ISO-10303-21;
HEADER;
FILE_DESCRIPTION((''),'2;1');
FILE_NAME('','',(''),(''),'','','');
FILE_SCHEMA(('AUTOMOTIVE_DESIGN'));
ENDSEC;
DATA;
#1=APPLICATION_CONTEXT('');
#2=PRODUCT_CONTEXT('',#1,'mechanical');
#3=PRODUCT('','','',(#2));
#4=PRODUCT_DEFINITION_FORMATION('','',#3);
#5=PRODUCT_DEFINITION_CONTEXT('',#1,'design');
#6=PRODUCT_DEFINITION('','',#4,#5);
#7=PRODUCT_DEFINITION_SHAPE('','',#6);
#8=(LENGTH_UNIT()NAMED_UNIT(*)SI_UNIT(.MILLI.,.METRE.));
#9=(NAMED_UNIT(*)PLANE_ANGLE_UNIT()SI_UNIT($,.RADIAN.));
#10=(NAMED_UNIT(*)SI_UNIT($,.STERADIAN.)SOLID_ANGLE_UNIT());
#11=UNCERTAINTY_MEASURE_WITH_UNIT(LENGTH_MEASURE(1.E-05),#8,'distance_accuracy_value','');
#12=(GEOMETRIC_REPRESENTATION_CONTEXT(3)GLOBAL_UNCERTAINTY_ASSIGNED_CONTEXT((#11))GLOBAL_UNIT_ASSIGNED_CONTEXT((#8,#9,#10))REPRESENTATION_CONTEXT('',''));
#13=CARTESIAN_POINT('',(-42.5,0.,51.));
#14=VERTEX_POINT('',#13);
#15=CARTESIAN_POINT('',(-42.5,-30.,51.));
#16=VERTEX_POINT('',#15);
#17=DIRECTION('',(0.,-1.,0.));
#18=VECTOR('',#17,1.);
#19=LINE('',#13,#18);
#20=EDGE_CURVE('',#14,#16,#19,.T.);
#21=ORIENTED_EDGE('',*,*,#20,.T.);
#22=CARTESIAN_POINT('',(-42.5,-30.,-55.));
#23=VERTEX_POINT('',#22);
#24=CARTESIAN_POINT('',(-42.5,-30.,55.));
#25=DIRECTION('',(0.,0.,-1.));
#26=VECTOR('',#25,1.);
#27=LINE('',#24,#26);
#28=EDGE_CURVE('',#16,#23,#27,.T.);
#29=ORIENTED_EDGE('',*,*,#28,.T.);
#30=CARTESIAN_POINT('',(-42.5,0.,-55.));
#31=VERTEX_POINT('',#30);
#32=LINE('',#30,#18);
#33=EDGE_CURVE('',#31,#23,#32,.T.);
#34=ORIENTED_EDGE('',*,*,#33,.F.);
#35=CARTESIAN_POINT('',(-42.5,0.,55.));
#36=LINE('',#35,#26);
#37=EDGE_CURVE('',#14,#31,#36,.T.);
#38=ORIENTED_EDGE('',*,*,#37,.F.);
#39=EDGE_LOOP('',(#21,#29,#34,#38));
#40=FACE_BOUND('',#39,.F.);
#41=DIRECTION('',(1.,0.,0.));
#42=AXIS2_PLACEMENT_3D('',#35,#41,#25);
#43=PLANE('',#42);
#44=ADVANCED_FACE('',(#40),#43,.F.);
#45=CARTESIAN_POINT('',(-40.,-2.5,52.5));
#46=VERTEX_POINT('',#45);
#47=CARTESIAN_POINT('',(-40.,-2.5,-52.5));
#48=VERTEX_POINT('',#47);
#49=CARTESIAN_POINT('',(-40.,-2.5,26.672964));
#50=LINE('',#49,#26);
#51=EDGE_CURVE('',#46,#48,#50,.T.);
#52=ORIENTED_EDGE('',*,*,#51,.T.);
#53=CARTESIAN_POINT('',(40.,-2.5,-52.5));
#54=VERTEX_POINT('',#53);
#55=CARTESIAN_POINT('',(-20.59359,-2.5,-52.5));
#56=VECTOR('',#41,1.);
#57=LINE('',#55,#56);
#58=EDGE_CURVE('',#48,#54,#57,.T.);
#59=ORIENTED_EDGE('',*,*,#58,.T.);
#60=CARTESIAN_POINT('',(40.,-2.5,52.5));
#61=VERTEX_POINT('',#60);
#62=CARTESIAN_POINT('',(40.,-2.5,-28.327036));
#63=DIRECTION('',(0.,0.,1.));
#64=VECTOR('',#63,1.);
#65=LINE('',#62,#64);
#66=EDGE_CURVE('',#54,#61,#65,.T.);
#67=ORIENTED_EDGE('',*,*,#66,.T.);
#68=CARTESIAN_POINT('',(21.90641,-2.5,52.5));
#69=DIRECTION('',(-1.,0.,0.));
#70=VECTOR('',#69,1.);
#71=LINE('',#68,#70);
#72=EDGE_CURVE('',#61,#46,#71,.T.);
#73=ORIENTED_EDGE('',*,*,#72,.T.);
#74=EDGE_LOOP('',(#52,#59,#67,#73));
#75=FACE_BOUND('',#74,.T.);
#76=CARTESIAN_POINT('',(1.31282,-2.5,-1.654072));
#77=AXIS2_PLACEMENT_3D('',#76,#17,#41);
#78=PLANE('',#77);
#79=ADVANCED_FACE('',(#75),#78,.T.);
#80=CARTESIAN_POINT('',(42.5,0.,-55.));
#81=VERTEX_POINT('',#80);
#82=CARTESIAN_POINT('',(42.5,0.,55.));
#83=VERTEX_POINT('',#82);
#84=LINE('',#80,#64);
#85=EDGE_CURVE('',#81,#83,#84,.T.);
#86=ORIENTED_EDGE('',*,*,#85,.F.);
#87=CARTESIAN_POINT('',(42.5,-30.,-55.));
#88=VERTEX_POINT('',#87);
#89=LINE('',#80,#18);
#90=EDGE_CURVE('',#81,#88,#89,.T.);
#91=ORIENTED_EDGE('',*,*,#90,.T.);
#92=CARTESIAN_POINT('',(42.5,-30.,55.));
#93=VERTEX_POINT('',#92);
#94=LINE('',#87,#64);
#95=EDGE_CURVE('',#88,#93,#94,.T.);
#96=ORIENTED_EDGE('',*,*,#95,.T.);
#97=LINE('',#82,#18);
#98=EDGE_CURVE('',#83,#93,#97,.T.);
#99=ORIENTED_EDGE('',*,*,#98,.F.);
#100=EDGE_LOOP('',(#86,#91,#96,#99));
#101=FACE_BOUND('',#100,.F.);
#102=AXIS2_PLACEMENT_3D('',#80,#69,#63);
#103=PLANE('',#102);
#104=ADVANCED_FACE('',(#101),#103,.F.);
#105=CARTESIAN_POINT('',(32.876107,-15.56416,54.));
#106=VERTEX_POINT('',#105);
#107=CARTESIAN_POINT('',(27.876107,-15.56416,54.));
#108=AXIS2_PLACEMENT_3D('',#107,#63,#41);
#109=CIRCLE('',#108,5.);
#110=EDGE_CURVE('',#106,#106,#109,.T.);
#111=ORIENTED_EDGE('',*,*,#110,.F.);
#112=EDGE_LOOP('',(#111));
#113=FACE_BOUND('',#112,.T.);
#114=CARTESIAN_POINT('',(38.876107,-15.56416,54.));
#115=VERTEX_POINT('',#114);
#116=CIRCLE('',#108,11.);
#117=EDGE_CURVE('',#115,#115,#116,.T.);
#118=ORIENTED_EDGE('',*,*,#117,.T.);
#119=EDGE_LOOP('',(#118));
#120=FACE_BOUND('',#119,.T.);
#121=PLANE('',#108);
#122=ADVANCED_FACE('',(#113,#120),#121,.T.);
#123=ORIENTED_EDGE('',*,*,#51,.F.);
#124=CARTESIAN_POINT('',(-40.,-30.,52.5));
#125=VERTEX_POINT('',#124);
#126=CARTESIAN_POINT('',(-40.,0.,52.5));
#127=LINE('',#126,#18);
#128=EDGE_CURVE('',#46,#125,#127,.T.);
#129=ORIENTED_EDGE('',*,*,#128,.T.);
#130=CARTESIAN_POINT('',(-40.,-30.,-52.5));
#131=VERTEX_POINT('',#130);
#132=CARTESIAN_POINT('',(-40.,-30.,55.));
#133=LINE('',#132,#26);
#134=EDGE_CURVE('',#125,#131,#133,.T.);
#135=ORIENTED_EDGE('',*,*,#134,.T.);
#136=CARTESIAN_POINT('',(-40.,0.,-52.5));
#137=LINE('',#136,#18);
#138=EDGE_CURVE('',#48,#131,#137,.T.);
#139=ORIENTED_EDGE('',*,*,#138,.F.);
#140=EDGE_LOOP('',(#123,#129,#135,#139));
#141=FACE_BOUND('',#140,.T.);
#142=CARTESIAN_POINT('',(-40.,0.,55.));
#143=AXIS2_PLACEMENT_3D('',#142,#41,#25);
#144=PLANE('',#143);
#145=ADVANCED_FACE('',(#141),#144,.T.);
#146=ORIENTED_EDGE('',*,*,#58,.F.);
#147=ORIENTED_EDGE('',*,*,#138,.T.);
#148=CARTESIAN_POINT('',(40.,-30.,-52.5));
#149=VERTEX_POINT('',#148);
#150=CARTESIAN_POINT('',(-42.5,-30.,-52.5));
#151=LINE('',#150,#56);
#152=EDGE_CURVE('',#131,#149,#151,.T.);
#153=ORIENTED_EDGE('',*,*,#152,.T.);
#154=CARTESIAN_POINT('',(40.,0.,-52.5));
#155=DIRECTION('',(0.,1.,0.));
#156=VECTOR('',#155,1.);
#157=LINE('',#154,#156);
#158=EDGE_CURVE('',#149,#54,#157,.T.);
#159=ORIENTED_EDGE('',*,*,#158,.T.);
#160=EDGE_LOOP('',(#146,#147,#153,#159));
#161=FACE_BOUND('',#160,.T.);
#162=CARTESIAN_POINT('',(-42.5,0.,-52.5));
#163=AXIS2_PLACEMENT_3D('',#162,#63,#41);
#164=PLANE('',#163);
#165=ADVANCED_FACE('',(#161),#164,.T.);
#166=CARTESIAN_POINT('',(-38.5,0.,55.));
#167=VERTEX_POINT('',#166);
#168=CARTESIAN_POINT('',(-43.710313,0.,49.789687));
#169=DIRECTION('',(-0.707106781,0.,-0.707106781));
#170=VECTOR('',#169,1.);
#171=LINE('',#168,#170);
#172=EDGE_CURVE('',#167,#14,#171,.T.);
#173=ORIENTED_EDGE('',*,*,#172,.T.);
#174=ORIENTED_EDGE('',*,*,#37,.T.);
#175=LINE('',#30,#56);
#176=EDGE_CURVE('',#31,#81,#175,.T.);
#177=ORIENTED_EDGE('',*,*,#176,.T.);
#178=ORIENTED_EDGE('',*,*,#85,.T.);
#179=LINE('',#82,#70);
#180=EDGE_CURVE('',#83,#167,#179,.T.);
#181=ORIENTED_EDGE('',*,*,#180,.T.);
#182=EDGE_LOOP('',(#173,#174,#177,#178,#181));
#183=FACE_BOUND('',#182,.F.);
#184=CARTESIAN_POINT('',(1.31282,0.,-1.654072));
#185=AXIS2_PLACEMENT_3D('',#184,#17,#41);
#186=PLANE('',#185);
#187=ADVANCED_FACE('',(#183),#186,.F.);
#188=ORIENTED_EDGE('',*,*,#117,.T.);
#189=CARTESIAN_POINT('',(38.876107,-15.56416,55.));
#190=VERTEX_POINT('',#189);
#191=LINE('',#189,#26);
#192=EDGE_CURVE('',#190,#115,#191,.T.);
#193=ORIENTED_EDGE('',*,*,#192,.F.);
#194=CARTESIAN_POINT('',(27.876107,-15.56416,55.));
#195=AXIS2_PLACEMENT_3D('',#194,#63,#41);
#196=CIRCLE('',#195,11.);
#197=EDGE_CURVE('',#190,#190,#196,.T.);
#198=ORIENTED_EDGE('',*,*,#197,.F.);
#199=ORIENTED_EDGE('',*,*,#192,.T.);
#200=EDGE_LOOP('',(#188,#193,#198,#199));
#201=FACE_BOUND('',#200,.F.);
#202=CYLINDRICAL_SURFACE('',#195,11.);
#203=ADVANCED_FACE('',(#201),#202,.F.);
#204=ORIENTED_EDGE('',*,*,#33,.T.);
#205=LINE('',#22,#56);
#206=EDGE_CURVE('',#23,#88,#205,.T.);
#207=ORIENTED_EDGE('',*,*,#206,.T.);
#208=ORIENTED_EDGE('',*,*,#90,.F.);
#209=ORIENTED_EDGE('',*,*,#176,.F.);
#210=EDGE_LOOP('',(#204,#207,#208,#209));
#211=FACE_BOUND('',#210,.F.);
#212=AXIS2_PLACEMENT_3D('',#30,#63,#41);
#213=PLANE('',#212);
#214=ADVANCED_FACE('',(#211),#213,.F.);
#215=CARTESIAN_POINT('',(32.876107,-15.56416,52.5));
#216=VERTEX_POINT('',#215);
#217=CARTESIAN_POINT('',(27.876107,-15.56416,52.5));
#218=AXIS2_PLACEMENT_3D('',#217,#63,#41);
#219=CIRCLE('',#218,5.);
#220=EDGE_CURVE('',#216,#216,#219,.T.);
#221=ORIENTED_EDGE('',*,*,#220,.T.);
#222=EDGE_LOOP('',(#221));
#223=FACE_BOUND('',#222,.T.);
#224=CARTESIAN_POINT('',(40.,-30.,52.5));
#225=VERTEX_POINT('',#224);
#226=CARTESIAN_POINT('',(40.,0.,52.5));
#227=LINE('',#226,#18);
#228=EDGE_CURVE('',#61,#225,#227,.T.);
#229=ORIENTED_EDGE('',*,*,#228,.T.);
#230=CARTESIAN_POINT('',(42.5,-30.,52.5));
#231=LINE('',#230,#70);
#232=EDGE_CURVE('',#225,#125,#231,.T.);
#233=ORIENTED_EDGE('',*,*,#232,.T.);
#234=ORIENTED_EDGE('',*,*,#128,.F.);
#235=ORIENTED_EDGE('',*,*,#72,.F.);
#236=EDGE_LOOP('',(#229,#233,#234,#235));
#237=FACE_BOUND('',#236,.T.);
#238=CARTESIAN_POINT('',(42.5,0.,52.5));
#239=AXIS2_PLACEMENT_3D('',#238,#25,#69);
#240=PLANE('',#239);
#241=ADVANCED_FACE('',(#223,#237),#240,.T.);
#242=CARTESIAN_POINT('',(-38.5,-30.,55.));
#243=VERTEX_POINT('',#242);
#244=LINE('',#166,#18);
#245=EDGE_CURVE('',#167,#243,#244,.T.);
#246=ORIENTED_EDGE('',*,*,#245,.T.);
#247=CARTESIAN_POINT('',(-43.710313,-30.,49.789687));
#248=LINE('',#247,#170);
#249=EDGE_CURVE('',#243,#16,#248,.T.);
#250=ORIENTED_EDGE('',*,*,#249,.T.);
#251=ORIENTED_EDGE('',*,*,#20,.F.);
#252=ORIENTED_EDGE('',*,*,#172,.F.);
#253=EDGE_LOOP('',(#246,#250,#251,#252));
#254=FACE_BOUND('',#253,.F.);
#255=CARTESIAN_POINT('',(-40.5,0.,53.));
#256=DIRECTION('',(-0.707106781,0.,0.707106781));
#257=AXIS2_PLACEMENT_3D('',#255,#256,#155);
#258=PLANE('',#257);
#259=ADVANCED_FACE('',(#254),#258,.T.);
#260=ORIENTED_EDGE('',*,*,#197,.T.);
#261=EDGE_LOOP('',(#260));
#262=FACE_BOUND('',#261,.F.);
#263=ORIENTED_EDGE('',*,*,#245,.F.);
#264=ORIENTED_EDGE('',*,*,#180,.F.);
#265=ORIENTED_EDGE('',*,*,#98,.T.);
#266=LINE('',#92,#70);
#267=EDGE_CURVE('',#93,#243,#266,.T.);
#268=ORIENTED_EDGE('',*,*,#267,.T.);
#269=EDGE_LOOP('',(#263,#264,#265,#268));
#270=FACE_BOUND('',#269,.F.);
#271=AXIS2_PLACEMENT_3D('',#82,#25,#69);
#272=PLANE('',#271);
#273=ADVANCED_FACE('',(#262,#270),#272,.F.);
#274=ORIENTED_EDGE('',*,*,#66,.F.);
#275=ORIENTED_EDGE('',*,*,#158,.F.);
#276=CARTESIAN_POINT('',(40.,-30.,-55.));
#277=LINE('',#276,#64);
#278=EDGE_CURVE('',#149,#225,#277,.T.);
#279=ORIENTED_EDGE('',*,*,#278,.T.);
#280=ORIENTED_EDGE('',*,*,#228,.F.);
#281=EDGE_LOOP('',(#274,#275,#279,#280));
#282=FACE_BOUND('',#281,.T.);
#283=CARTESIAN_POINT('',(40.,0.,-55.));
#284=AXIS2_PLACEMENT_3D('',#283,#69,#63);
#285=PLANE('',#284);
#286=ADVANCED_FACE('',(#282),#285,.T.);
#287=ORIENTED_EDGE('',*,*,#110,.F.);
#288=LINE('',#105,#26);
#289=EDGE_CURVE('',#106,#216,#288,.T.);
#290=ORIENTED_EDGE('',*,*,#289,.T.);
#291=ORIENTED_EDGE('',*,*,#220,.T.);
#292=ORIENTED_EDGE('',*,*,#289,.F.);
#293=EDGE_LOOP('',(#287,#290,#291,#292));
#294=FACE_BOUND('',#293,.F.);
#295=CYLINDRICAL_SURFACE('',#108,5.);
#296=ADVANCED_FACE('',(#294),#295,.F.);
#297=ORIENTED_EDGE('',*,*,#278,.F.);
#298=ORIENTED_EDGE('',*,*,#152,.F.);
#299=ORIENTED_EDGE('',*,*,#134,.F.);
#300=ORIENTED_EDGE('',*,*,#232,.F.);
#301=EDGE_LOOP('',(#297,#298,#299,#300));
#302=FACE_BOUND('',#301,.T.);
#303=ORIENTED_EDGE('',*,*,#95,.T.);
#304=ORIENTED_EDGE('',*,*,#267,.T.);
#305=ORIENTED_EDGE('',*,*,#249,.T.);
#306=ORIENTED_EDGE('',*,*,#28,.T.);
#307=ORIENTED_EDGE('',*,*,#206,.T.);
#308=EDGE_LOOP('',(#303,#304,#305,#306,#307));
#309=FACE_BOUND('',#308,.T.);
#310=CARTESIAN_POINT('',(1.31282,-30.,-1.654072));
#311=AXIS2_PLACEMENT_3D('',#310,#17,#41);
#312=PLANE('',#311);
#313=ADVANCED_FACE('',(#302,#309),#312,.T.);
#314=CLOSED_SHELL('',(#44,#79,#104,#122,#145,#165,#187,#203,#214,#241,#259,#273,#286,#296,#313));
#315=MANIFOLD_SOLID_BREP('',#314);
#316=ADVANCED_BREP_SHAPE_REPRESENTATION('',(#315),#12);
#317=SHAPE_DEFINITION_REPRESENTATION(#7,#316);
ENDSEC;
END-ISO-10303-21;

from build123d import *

# Parameters (mm, degrees)
F1_DEPTH = 30
F2_R     = 11
F3_DEPTH = 0.5
F4_T     = -2.5
F5_R     = 11
F6_DEPTH = 1
F7_R     = 5
F8_DEPTH = 1.5
F9_SIZE2 = 4
F9_SIZE  = 4


with BuildPart() as f1:
    # F0 (on Front) → F1 (new body)
    with BuildSketch(Plane.XZ):
        Polygon((42.5, -55), (42.5, 55), (-24.856195, 55), (-42.5, 37.632745), (-42.5, -55), align=None)
        Polygon((-42.5, 37.632745), (-24.856195, 55), (-42.5, 55), align=None)
    extrude(amount=F1_DEPTH)

    # F2 (on face) → F3 (join)
    with BuildSketch(Plane.XY.offset(55)):
        with Locations((25.320798, -14.402656)):
            Circle(F2_R)
    extrude(amount=-F3_DEPTH)

    # F4
    f4_openings = [f1.faces().sort_by_distance(p)[0] for p in [
        (0, -30, 0),
    ]]
    offset(amount=F4_T, openings=f4_openings)

    # F5 (on face) → F6 (cut)
    with BuildSketch(Plane.XY.offset(55)):
        with Locations((27.876107, -15.56416)):
            Circle(F5_R)
    extrude(amount=-F6_DEPTH, mode=Mode.SUBTRACT)

    # F7 (on face) → F8 (cut)
    with BuildSketch(Plane.XY.offset(54)):
        with Locations((27.876107, -15.56416)):
            Circle(F7_R)
    extrude(amount=-F8_DEPTH, mode=Mode.SUBTRACT)

    # F9
    f9_edges = [f1.edges().sort_by_distance(p)[0] for p in [
        (-42.5, -15, 55),
    ]]
    chamfer(f9_edges, length=F9_SIZE, length2=F9_SIZE2)


solid = f1.part
